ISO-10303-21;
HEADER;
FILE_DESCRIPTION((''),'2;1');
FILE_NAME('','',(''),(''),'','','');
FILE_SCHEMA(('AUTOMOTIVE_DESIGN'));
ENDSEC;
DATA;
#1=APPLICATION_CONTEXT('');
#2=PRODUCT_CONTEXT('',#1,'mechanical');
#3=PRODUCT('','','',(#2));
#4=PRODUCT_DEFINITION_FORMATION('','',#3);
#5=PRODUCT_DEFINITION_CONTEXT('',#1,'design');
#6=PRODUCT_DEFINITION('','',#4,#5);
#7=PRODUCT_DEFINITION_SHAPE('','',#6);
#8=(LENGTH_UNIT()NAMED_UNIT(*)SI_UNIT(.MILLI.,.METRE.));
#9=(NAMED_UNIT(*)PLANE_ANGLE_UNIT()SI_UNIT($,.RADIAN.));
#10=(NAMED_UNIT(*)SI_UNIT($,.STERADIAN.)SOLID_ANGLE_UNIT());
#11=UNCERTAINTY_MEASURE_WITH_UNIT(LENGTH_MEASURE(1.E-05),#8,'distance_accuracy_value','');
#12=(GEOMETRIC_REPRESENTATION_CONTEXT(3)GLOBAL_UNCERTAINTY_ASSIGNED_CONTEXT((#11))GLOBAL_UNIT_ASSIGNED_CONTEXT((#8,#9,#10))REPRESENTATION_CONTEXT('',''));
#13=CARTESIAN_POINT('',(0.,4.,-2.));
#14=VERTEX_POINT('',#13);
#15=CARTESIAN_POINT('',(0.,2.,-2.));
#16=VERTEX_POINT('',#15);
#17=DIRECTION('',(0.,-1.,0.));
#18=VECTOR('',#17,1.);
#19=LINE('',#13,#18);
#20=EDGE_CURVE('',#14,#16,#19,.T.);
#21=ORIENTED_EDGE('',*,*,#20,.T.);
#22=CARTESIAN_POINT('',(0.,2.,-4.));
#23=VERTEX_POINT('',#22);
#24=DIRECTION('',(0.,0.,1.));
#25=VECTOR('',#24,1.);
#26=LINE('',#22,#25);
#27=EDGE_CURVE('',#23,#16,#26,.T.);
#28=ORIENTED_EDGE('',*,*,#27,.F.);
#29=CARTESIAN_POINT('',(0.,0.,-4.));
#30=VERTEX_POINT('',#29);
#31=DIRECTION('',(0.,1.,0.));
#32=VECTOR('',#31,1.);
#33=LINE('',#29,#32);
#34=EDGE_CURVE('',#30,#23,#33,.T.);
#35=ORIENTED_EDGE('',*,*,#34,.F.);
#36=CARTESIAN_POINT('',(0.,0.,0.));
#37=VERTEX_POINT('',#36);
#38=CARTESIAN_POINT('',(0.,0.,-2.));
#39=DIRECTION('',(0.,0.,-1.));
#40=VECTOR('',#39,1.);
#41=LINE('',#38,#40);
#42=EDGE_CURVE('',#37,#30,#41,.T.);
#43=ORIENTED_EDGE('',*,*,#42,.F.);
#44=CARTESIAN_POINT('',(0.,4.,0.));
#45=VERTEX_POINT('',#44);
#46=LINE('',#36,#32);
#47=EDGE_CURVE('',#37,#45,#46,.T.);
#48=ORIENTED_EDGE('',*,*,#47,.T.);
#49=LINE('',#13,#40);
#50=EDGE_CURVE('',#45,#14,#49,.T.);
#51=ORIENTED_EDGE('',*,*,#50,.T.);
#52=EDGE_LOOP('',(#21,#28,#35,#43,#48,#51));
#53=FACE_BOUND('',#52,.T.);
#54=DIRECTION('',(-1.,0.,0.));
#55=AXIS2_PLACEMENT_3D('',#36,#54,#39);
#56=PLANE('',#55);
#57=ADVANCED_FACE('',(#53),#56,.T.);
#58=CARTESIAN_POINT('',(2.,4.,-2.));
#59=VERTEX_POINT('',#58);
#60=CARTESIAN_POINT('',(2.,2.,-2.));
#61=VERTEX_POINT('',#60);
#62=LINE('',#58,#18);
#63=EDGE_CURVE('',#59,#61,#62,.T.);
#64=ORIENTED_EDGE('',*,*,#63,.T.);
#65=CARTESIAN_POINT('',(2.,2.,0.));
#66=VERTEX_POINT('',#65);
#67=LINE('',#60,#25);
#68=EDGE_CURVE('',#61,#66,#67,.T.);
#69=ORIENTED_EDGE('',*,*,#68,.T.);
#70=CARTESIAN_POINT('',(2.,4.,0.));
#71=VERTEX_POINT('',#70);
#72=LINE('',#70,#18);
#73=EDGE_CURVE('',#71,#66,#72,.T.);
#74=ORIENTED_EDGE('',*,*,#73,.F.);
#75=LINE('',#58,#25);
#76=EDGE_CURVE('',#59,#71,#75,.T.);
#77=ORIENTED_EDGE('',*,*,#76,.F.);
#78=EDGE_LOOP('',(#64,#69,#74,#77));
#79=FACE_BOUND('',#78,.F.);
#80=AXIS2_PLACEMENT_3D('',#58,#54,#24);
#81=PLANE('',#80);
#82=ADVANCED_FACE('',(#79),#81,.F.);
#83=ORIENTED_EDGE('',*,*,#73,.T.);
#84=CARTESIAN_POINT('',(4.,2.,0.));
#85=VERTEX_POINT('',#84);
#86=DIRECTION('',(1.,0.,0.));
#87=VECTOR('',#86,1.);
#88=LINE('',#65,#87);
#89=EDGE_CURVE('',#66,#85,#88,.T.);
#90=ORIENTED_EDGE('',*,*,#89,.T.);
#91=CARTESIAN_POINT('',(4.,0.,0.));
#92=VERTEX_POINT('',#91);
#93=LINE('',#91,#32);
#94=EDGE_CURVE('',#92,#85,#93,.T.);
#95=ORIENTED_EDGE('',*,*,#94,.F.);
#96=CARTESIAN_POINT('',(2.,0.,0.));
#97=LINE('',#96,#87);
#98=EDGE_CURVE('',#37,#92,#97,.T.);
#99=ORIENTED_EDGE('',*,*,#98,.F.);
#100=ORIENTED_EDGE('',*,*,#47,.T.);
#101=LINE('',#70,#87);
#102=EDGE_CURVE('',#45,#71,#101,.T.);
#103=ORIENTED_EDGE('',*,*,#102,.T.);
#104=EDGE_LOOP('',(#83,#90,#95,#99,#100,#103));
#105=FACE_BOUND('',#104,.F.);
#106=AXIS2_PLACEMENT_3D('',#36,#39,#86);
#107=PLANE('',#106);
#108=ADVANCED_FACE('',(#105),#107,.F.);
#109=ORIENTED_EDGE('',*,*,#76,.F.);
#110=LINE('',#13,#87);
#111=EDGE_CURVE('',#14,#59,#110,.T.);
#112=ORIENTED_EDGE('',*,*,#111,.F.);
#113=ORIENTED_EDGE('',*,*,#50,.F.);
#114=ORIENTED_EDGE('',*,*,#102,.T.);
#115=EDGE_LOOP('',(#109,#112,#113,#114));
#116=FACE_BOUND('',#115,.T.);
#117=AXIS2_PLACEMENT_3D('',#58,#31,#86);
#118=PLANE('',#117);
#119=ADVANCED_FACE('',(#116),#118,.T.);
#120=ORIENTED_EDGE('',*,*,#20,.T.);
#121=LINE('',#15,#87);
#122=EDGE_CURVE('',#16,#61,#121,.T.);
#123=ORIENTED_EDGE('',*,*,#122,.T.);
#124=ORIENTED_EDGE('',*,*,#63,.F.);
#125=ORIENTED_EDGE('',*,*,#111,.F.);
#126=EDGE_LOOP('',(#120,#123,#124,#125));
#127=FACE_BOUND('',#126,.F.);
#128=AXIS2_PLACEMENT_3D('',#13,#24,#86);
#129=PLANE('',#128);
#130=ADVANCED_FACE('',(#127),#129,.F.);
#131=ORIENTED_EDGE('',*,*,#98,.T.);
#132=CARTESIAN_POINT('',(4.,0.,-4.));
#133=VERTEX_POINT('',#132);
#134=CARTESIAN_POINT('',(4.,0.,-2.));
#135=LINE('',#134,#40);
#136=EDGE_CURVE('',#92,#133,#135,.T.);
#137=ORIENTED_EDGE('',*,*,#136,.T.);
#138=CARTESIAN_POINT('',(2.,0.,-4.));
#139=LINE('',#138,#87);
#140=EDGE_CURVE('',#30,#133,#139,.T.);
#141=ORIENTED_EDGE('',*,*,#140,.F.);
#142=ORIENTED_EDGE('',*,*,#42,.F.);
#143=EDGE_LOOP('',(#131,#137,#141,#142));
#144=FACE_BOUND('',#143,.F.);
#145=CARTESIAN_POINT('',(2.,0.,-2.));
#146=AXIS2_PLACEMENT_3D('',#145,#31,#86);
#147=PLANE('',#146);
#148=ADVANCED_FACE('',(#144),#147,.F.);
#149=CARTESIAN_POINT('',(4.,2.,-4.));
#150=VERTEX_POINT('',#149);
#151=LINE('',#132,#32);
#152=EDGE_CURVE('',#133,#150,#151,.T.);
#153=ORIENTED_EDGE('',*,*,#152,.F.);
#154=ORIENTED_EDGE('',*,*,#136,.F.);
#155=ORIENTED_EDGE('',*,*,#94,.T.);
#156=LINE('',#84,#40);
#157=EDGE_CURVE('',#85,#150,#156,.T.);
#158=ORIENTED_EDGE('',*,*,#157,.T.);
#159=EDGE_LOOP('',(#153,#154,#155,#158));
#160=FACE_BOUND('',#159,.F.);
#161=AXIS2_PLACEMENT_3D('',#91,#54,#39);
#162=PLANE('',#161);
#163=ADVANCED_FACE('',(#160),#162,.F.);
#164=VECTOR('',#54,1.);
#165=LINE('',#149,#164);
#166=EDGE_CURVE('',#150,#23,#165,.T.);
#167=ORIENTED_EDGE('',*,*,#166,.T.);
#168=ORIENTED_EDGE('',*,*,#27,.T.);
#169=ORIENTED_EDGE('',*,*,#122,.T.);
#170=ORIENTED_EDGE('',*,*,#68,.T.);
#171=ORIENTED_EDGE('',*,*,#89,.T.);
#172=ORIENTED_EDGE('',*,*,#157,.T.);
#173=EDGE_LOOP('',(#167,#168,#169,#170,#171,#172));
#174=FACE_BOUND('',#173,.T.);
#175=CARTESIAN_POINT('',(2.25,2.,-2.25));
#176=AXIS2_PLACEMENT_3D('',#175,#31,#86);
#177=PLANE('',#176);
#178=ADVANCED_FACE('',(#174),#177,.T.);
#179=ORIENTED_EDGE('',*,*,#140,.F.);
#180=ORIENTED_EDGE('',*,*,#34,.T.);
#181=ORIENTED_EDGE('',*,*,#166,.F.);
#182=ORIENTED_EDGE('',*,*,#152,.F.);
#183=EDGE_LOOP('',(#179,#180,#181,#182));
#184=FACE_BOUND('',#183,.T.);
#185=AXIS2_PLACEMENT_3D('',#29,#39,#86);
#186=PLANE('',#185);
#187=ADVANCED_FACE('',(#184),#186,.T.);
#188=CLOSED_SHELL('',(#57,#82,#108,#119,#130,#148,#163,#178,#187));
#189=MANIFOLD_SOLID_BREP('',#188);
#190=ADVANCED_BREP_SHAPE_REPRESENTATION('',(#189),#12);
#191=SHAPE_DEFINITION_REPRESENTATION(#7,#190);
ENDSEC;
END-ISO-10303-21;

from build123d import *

# Parameters (mm, degrees)
SKETCH1_W           = 4
SKETCH1_H           = 4
BOSS_EXTRUDE1_DEPTH = 4
CUT_EXTRUDE1_DEPTH  = 2


with BuildPart() as part:
    # Sketch1 → Boss-Extrude1 (new body)
    with BuildSketch(Plane(origin=(0, 0, 0), x_dir=(1, 0, 0), z_dir=(0, 1, 0))):
        with Locations((2, 2)):
            Rectangle(SKETCH1_W, SKETCH1_H)
    extrude(amount=BOSS_EXTRUDE1_DEPTH)

    # Sketch2 → Cut-Extrude1 (cut)
    with BuildSketch(Plane(origin=(0, 4, 0), x_dir=(1, 0, 0), z_dir=(0, 1, 0))):
        Polygon((0, 4), (0, 2), (2, 2), (2, 0), (4, 0), (4, 4), align=None)
    extrude(amount=-CUT_EXTRUDE1_DEPTH, mode=Mode.SUBTRACT)


solid = part.part
